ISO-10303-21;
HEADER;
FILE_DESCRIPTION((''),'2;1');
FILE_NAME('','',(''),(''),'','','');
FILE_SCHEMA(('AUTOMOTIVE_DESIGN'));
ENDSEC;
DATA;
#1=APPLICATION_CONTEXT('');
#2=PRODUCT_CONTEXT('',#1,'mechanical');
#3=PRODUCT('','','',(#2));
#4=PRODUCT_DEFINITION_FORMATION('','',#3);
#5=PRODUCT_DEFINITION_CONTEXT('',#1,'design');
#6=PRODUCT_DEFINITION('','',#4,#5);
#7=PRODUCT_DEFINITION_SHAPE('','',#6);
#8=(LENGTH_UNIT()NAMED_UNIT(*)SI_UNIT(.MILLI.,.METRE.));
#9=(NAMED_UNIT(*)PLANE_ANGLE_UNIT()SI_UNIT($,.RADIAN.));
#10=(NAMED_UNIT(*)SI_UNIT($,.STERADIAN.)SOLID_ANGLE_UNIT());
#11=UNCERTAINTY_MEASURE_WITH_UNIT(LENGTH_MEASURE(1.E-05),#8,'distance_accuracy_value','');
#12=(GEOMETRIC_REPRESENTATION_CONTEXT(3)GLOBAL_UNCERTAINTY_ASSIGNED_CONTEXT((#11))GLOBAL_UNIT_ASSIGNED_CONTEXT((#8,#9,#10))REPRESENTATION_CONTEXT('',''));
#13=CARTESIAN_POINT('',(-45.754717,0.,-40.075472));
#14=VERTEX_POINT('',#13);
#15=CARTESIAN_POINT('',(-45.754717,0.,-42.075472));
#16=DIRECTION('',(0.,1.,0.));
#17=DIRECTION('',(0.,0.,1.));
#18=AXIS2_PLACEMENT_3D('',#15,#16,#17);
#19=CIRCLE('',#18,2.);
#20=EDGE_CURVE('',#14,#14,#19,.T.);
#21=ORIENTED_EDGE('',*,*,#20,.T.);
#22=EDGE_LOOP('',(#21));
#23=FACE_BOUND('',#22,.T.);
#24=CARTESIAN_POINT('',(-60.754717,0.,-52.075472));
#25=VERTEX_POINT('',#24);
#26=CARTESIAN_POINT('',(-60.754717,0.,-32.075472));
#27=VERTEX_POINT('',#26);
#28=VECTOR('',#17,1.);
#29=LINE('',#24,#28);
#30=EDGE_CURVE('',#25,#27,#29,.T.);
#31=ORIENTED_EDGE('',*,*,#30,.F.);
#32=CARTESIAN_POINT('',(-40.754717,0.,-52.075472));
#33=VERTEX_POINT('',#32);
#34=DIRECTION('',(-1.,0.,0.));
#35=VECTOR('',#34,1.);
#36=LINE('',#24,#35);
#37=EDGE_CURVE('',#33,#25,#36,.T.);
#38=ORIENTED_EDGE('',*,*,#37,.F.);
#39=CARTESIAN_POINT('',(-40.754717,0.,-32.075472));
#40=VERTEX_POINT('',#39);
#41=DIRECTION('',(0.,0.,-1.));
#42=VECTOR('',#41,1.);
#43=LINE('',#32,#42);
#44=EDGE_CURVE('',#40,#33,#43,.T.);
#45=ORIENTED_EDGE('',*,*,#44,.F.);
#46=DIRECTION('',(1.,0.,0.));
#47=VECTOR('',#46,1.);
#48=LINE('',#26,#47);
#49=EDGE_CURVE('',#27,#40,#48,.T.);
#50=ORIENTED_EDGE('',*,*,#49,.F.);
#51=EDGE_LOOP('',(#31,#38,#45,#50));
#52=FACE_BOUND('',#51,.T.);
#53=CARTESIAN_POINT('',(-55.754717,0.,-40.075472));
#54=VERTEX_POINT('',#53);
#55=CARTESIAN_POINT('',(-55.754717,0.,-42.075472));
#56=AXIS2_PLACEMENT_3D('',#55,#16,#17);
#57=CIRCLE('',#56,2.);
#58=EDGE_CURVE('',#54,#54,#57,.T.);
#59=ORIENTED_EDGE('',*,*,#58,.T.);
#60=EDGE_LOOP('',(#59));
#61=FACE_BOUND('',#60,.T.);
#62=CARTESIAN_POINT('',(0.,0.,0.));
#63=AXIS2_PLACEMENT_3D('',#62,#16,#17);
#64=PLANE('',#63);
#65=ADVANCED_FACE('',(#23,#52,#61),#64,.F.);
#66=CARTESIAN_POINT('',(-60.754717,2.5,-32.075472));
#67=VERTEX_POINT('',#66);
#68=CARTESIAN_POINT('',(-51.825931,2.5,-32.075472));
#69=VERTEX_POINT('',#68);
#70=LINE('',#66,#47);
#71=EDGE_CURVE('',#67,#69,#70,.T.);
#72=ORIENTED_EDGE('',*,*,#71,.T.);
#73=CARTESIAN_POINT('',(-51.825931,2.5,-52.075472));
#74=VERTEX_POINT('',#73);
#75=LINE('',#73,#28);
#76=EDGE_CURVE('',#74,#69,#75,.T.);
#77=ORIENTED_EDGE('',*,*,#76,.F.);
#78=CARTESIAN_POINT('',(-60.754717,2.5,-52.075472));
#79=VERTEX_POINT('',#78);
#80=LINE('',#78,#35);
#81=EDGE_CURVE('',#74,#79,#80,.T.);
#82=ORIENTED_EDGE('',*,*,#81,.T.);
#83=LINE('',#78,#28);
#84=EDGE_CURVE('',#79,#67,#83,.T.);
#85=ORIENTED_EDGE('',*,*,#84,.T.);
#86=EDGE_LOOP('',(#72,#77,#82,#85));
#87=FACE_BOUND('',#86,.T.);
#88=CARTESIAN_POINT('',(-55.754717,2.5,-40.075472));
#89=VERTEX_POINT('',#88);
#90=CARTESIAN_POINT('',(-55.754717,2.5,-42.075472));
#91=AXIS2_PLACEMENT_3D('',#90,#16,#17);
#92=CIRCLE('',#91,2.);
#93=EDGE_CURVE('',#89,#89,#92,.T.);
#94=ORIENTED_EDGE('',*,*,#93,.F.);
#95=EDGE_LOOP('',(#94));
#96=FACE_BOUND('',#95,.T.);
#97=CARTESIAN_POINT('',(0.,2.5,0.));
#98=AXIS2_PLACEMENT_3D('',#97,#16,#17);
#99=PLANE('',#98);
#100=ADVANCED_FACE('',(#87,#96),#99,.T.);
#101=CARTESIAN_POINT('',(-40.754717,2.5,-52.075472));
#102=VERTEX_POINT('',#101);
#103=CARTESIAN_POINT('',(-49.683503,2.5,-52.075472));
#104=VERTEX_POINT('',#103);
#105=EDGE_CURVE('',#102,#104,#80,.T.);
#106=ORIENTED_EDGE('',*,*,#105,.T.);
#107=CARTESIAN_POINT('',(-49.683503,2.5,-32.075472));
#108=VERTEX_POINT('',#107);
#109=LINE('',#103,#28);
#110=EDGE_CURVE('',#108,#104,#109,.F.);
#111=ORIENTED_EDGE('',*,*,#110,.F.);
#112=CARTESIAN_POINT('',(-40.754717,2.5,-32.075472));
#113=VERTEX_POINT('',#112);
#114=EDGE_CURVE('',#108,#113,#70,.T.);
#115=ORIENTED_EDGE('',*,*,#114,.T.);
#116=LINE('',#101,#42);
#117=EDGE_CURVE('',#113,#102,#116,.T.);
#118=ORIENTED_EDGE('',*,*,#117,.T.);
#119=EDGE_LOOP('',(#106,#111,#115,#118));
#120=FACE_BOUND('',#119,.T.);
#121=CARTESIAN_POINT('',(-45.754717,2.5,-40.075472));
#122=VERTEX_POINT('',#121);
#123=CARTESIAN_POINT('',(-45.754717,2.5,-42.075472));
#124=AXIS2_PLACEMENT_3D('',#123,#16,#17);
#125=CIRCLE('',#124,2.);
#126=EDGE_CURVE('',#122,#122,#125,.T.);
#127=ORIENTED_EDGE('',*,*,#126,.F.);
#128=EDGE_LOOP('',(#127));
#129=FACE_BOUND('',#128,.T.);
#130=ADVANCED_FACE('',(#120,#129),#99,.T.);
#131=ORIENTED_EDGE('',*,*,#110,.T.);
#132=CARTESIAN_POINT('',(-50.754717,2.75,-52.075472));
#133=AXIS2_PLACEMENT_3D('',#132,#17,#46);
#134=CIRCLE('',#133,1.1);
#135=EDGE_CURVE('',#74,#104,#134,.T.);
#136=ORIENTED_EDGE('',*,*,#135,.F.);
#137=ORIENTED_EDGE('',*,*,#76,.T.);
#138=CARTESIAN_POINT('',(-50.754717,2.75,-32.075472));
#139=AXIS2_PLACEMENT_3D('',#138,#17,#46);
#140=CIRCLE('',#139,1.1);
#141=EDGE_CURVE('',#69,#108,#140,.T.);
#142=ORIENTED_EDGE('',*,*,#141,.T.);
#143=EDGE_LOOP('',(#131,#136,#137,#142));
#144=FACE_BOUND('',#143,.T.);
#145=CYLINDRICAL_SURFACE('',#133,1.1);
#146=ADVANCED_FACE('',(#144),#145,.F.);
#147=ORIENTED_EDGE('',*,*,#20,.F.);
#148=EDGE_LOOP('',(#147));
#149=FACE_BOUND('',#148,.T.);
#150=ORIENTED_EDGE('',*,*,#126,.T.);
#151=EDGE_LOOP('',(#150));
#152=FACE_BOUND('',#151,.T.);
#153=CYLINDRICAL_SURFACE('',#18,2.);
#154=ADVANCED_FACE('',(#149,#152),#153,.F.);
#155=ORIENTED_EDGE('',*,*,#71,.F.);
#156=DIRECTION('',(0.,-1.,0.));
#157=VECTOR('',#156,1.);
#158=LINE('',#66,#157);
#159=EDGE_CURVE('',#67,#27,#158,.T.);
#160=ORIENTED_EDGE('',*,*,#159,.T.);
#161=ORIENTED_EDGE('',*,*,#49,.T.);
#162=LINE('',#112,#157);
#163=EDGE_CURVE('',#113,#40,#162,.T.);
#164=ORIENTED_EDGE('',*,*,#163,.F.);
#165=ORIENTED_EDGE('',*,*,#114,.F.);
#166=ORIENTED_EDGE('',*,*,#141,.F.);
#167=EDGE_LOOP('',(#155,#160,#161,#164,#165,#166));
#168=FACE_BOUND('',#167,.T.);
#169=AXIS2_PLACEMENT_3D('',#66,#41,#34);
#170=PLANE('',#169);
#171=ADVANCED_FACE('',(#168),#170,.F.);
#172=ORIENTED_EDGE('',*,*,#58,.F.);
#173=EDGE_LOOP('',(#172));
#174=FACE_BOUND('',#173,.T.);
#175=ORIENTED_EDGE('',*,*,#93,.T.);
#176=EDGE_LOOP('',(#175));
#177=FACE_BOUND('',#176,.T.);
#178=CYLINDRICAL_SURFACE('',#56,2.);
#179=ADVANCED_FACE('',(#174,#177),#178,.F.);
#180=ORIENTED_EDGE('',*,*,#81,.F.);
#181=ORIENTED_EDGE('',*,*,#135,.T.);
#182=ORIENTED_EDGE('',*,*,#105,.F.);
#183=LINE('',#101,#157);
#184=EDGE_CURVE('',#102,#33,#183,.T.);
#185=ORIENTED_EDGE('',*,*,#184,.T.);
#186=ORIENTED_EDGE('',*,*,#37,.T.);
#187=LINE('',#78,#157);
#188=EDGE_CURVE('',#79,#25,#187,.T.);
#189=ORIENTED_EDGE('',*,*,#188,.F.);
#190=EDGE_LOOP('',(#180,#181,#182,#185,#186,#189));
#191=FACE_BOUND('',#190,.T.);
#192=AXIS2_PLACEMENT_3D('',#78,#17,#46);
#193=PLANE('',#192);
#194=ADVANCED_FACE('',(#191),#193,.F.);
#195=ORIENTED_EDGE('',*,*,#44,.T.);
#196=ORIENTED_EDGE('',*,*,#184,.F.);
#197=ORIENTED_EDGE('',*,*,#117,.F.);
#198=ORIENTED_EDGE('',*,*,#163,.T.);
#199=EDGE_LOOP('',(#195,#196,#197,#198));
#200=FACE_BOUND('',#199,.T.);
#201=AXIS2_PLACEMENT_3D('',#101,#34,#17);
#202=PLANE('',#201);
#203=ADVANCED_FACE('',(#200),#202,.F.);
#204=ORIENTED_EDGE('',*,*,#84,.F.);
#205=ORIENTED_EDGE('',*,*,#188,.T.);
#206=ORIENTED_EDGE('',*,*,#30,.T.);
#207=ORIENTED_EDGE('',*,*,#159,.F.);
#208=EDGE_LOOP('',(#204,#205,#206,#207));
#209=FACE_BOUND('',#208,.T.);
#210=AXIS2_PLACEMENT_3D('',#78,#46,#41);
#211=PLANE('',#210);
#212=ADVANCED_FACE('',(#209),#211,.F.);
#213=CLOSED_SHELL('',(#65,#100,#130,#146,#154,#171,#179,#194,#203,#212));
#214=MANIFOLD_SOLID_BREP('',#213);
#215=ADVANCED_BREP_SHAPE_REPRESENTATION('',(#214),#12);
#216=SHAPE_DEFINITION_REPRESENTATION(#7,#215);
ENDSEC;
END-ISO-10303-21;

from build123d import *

# Parameters (mm, degrees)
SKETCH1_W           = 20
SKETCH1_H           = 20
BOSS_EXTRUDE1_DEPTH = 2.5
SKETCH2_R           = 1.1
CUT_EXTRUDE1_DEPTH  = 21
SKETCH3_R           = 2
CUT_EXTRUDE2_DEPTH  = 3.5


with BuildPart() as part:
    # Sketch1 → Boss-Extrude1 (new body)
    with BuildSketch(Plane(origin=(0, 0, 0), x_dir=(1, 0, 0), z_dir=(0, 1, 0))):
        with Locations((-50.754716981, 42.075471698)):
            Rectangle(SKETCH1_W, SKETCH1_H)
    extrude(amount=BOSS_EXTRUDE1_DEPTH)

    # Sketch2 → Cut-Extrude1 (cut, through all)
    with BuildSketch(Plane.XY.offset(-32.075471698)):
        with Locations((-50.754716981, 2.75)):
            Circle(SKETCH2_R)
    extrude(amount=-CUT_EXTRUDE1_DEPTH, mode=Mode.SUBTRACT)

    # Sketch3 → Cut-Extrude2 (cut, through all)
    with BuildSketch(Plane(origin=(0, 2.5, 0), x_dir=(1, 0, 0), z_dir=(0, 1, 0))):
        with Locations((-55.754716981, 42.075471698)):
            Circle(SKETCH3_R)
        with Locations((-45.754716981, 42.075471698)):
            Circle(SKETCH3_R)
    extrude(amount=-CUT_EXTRUDE2_DEPTH, mode=Mode.SUBTRACT)


solid = part.part
